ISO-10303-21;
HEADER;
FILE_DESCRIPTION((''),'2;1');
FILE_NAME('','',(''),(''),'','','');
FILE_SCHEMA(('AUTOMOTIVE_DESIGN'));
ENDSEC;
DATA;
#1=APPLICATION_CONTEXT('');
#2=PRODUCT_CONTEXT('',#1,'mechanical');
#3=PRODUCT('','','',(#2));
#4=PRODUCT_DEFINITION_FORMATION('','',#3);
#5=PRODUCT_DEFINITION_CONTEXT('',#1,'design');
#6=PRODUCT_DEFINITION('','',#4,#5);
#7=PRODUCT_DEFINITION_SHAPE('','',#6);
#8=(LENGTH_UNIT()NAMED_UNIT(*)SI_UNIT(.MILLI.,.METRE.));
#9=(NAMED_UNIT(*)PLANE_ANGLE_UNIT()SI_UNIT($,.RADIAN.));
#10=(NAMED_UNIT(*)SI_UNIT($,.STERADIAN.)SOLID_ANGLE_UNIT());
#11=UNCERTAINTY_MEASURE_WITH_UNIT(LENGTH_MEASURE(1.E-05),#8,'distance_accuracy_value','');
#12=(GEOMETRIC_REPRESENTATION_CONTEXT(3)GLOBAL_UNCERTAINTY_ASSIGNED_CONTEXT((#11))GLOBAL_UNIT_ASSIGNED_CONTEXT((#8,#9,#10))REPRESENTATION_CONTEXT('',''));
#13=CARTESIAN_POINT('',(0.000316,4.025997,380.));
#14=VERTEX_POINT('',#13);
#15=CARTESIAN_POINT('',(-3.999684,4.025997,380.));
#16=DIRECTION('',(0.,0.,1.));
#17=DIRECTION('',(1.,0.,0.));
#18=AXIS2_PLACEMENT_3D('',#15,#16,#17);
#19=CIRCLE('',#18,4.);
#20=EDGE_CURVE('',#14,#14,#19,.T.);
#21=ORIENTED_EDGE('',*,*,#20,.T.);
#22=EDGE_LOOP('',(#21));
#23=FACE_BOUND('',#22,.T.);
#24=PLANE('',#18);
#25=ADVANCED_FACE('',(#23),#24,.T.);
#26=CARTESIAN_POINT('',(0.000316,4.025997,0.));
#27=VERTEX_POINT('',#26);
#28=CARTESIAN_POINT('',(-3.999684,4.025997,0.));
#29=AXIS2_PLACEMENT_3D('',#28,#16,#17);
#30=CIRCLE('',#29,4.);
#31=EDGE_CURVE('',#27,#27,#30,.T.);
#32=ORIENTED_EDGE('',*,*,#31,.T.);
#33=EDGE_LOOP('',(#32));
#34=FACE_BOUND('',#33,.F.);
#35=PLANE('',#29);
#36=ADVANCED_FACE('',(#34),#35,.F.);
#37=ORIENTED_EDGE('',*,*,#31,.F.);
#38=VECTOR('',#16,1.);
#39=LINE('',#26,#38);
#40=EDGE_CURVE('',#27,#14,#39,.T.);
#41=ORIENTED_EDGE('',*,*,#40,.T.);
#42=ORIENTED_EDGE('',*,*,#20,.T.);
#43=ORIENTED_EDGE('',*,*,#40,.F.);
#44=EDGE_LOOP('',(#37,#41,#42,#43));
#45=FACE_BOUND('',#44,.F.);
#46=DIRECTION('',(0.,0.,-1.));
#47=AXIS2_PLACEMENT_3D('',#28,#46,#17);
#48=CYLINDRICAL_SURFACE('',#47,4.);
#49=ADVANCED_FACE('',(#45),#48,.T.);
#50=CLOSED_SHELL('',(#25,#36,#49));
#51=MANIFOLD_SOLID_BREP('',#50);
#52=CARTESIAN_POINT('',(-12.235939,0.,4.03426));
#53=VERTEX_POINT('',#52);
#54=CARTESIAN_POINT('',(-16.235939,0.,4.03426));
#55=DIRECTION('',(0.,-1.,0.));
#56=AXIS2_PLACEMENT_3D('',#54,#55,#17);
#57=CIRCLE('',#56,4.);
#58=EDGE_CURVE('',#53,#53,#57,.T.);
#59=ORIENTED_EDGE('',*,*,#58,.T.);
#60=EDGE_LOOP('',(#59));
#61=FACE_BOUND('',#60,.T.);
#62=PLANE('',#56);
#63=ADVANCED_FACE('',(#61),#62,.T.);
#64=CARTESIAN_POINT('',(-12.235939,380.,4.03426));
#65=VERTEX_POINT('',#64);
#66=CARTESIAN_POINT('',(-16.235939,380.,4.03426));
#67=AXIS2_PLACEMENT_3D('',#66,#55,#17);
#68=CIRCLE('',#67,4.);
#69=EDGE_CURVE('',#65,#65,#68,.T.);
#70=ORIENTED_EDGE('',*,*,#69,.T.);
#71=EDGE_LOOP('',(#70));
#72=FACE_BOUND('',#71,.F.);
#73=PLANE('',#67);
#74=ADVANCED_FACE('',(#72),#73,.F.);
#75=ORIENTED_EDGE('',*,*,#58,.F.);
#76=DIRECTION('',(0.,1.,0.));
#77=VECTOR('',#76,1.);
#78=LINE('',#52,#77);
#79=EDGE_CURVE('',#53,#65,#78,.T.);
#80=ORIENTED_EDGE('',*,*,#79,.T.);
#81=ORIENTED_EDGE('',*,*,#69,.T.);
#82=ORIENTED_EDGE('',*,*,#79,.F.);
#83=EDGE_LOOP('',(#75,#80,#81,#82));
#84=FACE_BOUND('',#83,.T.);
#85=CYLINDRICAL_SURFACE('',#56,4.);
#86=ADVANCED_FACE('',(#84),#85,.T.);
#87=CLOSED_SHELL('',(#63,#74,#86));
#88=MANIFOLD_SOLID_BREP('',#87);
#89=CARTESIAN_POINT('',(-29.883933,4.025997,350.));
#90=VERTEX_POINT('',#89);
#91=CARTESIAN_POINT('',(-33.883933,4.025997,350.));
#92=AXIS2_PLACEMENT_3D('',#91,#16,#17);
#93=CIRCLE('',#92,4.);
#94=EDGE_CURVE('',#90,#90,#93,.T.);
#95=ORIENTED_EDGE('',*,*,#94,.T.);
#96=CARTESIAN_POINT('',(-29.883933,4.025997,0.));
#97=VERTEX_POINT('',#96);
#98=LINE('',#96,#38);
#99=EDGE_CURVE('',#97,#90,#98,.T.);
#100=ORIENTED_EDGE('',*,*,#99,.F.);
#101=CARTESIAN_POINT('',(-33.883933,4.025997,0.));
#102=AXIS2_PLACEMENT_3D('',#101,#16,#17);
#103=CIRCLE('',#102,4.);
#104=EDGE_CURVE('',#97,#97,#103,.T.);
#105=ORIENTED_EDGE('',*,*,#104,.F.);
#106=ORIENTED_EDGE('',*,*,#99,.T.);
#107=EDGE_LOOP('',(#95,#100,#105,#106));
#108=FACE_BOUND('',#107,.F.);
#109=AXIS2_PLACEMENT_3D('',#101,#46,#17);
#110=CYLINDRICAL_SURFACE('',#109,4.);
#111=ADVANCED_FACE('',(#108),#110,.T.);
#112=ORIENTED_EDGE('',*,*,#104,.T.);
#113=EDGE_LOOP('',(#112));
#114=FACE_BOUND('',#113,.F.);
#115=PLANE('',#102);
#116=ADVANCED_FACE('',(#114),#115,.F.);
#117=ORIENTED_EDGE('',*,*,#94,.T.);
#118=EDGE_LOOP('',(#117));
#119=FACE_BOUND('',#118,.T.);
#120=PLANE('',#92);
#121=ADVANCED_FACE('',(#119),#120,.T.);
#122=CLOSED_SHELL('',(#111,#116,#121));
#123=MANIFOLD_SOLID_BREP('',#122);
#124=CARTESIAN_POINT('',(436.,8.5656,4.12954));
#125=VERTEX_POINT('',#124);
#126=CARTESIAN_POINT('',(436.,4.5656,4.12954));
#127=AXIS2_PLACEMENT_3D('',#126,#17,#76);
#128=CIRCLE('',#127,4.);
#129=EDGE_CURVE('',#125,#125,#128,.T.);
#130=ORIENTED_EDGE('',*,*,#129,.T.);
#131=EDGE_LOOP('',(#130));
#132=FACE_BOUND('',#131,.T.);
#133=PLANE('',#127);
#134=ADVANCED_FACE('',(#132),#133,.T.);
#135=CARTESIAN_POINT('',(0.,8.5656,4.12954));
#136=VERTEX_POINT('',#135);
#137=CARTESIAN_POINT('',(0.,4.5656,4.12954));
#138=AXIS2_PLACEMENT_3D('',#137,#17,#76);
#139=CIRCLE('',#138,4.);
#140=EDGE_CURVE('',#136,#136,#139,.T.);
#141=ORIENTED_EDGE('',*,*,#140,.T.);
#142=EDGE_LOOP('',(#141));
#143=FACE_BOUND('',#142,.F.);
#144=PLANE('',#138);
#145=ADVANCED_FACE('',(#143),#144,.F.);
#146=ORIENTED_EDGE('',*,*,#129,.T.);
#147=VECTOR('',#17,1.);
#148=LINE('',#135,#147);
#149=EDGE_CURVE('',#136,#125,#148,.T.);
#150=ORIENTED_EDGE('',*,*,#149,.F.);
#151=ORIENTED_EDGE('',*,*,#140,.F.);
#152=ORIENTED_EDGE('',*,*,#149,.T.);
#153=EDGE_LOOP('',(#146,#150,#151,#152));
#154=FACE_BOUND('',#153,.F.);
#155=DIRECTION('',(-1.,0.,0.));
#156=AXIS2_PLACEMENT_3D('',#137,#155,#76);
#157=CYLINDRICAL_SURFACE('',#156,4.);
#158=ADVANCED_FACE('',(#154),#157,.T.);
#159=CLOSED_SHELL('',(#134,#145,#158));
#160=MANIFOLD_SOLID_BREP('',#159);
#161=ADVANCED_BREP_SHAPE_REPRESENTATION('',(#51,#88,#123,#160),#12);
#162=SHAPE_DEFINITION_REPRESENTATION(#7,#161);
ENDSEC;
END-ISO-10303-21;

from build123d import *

# Parameters (mm, degrees)
F0_R     = 4
F1_DEPTH = 380
F2_R     = 4
F3_DEPTH = 380
F4_R     = 4
F5_DEPTH = 436
F6_DEPTH = 350


with BuildPart() as f1:
    # F0 (on Top) → F1 (new body)
    with BuildSketch(Plane.XY):
        with Locations((-3.999684, 4.025997)):
            Circle(F0_R)
    extrude(amount=F1_DEPTH)


with BuildPart() as f3:
    # F2 (on Front) → F3 (new body)
    with BuildSketch(Plane.XZ):
        with Locations((-16.235939, 4.03426)):
            Circle(F2_R)
    extrude(amount=-F3_DEPTH)


with BuildPart() as f5:
    # F4 (on Right) → F5 (new body)
    with BuildSketch(Plane.YZ):
        with Locations((4.5656, 4.12954)):
            Circle(F4_R)
    extrude(amount=F5_DEPTH)


with BuildPart() as f6:
    # F0 (on Top) → F6 (new body)
    with BuildSketch(Plane.XY):
        with Locations((-33.883933, 4.025997)):
            Circle(F0_R)
    extrude(amount=F6_DEPTH)


solid = Compound([f1.part, f3.part, f5.part, f6.part])
